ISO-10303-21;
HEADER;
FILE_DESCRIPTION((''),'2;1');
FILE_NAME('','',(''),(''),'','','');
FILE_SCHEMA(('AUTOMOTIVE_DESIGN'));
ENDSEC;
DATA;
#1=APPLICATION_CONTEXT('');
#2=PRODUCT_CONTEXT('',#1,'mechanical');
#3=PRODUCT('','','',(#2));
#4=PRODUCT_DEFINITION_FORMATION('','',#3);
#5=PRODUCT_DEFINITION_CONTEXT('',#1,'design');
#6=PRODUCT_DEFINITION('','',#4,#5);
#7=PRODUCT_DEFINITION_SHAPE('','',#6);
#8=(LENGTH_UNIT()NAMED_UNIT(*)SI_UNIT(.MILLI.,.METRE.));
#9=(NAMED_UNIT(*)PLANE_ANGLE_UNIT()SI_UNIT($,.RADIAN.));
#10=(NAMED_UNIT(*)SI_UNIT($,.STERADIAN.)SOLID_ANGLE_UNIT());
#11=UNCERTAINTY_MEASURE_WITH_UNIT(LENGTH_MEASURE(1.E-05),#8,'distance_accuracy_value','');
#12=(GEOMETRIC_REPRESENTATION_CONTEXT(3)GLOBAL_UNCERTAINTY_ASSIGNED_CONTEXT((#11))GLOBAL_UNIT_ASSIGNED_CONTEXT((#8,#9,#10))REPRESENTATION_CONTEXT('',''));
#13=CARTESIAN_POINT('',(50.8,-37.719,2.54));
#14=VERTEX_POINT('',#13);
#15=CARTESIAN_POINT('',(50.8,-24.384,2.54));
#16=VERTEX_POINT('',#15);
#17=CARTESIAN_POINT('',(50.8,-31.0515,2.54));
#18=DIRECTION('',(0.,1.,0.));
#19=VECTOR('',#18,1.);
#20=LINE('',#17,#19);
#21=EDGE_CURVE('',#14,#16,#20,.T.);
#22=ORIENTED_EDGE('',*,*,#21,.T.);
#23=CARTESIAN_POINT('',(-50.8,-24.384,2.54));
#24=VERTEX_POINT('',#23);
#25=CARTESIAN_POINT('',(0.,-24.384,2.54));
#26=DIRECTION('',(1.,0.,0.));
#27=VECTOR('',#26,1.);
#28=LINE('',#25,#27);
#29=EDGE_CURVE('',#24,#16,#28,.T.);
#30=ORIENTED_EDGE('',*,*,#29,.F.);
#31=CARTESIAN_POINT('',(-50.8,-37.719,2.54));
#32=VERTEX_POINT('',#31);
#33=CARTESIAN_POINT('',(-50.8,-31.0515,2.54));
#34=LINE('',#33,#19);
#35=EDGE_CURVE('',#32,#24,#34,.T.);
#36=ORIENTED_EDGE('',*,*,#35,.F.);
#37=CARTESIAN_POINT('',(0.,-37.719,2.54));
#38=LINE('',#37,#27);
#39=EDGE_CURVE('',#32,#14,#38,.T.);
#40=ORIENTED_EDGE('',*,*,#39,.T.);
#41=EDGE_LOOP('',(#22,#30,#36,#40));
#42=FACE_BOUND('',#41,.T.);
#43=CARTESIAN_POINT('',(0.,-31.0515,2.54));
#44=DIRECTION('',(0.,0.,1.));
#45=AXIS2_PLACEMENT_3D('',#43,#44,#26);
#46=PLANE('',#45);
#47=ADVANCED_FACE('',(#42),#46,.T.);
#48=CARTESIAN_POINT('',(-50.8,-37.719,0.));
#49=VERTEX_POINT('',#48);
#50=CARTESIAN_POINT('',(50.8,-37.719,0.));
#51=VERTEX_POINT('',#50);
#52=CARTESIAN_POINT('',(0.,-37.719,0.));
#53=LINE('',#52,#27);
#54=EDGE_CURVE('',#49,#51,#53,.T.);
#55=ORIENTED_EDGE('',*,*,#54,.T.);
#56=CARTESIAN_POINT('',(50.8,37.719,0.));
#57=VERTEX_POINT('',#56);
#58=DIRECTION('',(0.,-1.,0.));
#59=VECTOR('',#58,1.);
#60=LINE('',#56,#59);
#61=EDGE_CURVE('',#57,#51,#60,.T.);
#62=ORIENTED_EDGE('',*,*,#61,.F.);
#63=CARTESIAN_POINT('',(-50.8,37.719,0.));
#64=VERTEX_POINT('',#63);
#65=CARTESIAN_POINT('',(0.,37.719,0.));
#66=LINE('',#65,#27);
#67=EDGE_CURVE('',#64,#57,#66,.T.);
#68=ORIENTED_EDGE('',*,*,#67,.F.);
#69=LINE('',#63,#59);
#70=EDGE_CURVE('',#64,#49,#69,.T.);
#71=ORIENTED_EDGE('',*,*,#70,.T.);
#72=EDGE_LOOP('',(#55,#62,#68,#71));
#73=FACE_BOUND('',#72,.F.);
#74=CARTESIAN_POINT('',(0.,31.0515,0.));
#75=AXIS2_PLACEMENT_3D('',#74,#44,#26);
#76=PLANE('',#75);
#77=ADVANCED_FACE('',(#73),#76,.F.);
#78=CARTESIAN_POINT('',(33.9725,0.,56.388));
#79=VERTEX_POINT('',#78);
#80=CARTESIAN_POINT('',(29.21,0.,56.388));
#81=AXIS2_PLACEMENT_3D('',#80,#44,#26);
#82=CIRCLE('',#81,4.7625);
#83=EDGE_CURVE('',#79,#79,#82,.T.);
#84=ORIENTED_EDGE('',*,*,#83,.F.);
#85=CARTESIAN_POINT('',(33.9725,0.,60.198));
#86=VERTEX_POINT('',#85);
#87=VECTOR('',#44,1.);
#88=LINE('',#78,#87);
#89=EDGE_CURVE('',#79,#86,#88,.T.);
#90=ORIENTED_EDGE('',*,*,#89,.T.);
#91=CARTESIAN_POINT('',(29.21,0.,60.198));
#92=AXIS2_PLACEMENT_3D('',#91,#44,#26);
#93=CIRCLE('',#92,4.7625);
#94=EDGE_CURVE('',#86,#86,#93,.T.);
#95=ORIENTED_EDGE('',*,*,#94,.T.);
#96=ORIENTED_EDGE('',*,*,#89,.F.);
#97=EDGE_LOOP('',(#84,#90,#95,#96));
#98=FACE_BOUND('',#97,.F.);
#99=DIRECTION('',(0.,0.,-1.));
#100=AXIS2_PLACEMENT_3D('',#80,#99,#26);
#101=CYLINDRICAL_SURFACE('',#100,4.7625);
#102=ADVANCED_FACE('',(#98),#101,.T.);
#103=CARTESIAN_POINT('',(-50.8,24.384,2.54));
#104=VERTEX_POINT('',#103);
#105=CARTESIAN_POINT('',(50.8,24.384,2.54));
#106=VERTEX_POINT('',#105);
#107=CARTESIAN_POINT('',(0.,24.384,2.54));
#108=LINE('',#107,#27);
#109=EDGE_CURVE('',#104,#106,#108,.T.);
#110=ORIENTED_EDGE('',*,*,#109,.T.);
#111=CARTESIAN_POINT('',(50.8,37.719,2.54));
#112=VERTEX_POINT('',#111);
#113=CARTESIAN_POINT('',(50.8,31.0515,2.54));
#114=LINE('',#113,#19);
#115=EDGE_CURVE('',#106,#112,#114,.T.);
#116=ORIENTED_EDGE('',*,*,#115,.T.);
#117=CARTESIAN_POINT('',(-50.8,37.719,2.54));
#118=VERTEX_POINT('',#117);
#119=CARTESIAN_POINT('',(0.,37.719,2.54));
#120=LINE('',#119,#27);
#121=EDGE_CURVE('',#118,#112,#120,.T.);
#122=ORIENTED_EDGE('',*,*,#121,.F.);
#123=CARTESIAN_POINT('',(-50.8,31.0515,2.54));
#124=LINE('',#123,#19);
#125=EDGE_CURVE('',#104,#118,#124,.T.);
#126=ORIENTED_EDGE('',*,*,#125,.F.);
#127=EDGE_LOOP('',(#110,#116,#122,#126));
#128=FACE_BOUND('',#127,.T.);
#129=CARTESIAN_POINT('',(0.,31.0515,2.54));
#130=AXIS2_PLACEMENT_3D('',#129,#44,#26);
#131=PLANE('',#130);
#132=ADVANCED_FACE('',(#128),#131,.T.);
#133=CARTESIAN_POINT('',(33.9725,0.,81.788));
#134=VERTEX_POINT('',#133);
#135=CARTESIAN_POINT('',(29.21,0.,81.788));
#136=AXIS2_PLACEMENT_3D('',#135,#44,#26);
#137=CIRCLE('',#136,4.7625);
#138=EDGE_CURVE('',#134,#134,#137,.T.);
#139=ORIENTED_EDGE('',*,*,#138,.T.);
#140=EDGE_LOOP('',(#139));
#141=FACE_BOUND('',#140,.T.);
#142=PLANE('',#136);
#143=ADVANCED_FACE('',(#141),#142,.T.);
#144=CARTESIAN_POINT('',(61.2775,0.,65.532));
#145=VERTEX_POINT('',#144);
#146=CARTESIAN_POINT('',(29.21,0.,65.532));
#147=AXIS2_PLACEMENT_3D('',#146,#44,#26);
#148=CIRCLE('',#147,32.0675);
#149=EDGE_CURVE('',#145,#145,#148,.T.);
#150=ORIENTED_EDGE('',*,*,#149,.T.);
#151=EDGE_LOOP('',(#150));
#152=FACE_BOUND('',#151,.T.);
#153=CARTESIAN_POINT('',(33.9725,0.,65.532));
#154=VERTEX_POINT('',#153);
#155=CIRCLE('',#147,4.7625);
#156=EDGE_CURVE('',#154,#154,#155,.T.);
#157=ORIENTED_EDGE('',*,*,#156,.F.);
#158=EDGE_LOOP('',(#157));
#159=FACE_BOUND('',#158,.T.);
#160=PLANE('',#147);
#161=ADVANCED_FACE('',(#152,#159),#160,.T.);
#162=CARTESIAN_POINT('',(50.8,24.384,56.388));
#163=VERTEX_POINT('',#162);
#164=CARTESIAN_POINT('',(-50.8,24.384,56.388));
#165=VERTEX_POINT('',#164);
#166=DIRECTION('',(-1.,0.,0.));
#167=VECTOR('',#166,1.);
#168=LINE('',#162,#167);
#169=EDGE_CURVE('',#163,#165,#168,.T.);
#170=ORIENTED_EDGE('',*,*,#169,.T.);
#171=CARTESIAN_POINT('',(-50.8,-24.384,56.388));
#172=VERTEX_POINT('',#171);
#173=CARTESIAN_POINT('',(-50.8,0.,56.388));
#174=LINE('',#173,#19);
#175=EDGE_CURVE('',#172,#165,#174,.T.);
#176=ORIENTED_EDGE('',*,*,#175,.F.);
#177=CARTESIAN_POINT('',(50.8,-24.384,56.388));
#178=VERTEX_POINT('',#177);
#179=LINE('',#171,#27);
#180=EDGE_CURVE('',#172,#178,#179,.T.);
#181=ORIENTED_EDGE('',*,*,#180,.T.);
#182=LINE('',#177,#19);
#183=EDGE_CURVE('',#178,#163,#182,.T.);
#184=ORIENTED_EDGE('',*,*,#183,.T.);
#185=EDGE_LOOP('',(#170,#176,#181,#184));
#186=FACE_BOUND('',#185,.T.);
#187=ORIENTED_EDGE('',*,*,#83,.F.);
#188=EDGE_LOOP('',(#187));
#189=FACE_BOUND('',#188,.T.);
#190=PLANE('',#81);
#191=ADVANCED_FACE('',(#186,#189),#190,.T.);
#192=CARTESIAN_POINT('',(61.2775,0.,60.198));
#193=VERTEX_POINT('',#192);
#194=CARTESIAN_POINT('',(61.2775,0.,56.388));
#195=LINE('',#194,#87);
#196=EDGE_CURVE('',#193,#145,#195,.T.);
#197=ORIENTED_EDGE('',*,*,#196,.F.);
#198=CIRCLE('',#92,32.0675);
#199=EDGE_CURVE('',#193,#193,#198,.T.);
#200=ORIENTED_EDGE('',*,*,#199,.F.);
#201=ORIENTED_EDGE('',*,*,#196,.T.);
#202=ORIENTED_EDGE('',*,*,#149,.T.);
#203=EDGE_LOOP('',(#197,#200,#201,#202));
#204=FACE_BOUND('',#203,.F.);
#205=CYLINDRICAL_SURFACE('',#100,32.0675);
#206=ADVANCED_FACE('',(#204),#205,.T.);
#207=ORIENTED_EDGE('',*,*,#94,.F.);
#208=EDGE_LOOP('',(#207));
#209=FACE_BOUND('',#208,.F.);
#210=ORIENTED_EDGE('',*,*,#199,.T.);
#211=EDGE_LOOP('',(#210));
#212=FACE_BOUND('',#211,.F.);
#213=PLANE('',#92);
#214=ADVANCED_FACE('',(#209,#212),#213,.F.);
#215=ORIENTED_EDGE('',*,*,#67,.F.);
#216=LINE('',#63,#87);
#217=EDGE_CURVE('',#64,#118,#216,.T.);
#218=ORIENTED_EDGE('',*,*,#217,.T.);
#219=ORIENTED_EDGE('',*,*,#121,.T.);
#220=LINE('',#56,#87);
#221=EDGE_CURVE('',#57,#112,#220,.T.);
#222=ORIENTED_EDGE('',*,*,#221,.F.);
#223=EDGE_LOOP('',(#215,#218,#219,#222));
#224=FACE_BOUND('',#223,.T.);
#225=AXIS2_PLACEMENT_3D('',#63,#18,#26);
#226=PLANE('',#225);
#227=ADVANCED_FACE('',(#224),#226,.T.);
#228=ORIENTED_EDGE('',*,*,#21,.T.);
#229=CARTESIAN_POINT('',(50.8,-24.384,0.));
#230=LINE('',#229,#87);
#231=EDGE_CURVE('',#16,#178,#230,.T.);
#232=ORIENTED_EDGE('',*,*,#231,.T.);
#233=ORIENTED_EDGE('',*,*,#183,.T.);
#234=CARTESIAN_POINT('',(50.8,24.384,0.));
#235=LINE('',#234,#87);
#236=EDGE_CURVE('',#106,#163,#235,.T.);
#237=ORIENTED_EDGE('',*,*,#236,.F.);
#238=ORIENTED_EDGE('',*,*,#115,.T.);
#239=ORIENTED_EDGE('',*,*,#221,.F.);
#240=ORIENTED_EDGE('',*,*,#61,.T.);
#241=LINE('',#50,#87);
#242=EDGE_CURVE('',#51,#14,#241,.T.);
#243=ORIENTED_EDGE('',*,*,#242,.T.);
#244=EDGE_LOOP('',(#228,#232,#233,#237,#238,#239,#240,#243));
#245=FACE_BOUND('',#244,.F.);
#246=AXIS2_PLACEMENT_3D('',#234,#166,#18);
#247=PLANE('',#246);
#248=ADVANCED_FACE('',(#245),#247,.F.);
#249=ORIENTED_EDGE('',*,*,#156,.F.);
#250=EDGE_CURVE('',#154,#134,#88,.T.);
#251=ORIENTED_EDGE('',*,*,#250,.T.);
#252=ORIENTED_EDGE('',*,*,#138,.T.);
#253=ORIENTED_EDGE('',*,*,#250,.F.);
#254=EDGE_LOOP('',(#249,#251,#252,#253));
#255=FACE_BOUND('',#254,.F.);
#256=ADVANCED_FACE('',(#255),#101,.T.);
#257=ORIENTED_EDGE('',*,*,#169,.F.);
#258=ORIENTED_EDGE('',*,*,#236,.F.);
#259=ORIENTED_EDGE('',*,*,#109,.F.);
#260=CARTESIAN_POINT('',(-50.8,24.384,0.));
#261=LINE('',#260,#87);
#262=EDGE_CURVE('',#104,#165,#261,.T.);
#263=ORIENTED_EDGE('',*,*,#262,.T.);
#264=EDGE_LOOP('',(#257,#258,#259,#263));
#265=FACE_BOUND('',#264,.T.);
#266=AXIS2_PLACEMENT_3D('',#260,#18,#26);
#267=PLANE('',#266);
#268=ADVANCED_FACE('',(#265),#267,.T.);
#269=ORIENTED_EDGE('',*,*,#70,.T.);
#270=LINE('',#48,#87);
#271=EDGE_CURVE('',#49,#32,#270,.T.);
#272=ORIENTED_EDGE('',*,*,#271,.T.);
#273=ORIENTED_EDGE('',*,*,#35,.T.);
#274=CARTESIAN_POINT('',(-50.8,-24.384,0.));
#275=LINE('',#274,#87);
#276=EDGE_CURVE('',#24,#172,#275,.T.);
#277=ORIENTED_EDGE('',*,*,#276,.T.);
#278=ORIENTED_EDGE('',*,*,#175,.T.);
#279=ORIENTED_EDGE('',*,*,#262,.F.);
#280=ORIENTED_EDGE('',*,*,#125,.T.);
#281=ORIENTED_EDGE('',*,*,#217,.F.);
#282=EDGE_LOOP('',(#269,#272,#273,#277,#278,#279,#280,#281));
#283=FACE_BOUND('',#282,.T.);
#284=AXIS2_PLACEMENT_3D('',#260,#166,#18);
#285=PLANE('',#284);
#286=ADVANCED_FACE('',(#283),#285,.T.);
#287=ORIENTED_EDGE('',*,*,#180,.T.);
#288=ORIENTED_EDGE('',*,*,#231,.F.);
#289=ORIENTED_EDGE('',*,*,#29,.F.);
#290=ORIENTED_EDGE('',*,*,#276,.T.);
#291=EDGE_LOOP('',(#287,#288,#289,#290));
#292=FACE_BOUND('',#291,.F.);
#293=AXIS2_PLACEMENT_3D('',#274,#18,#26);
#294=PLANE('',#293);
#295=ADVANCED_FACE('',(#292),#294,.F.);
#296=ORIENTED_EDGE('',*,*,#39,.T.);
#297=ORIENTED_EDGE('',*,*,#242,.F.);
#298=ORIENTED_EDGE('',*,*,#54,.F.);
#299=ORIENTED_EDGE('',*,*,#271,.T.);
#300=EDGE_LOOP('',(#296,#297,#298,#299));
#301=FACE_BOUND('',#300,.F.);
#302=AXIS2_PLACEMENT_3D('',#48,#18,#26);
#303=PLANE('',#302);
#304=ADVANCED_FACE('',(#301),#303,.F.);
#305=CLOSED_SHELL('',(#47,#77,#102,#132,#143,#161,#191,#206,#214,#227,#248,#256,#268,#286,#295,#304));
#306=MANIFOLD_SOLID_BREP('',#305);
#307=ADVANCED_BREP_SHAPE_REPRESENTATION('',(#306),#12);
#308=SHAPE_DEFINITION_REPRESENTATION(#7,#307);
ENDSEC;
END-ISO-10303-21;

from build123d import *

# Parameters (mm, degrees)
F0_W     = 101.6
F0_H     = 48.768
F1_DEPTH = 56.388
F0_H_2   = 13.335
F2_DEPTH = 2.54
F3_R     = 4.7625
F4_DEPTH = 25.4
F3_R_2   = 32.0675
F5_DEPTH = 9.144
F6_DEPTH = 3.81


with BuildPart() as f1:
    # F0 (on Top) → F1 (new body)
    with BuildSketch(Plane.XY):
        Rectangle(F0_W, F0_H)
    extrude(amount=F1_DEPTH)

    # F0 (on Top) → F2 (join)
    with BuildSketch(Plane.XY):
        with Locations((0, 31.0515)):
            Rectangle(F0_W, F0_H_2)
        with Locations((0, -31.0515)):
            Rectangle(F0_W, F0_H_2)
    extrude(amount=F2_DEPTH)

    # F3 (on face) → F4 (join)
    with BuildSketch(Plane.XY.offset(56.388)):
        with Locations((29.21, 0)):
            Circle(F3_R)
    extrude(amount=F4_DEPTH)

    # F3 (on face) → F5 (join)
    with BuildSketch(Plane.XY.offset(56.388)):
        with Locations((29.21, 0)):
            Circle(F3_R_2)
        with Locations((29.21, 0)):
            Circle(F3_R, mode=Mode.SUBTRACT)
    extrude(amount=F5_DEPTH)

    # F3 (on face) → F6 (cut)
    with BuildSketch(Plane.XY.offset(56.388)):
        with Locations((29.21, 0)):
            Circle(F3_R_2)
        with Locations((29.21, 0)):
            Circle(F3_R, mode=Mode.SUBTRACT)
    extrude(amount=F6_DEPTH, mode=Mode.SUBTRACT)


solid = f1.part
